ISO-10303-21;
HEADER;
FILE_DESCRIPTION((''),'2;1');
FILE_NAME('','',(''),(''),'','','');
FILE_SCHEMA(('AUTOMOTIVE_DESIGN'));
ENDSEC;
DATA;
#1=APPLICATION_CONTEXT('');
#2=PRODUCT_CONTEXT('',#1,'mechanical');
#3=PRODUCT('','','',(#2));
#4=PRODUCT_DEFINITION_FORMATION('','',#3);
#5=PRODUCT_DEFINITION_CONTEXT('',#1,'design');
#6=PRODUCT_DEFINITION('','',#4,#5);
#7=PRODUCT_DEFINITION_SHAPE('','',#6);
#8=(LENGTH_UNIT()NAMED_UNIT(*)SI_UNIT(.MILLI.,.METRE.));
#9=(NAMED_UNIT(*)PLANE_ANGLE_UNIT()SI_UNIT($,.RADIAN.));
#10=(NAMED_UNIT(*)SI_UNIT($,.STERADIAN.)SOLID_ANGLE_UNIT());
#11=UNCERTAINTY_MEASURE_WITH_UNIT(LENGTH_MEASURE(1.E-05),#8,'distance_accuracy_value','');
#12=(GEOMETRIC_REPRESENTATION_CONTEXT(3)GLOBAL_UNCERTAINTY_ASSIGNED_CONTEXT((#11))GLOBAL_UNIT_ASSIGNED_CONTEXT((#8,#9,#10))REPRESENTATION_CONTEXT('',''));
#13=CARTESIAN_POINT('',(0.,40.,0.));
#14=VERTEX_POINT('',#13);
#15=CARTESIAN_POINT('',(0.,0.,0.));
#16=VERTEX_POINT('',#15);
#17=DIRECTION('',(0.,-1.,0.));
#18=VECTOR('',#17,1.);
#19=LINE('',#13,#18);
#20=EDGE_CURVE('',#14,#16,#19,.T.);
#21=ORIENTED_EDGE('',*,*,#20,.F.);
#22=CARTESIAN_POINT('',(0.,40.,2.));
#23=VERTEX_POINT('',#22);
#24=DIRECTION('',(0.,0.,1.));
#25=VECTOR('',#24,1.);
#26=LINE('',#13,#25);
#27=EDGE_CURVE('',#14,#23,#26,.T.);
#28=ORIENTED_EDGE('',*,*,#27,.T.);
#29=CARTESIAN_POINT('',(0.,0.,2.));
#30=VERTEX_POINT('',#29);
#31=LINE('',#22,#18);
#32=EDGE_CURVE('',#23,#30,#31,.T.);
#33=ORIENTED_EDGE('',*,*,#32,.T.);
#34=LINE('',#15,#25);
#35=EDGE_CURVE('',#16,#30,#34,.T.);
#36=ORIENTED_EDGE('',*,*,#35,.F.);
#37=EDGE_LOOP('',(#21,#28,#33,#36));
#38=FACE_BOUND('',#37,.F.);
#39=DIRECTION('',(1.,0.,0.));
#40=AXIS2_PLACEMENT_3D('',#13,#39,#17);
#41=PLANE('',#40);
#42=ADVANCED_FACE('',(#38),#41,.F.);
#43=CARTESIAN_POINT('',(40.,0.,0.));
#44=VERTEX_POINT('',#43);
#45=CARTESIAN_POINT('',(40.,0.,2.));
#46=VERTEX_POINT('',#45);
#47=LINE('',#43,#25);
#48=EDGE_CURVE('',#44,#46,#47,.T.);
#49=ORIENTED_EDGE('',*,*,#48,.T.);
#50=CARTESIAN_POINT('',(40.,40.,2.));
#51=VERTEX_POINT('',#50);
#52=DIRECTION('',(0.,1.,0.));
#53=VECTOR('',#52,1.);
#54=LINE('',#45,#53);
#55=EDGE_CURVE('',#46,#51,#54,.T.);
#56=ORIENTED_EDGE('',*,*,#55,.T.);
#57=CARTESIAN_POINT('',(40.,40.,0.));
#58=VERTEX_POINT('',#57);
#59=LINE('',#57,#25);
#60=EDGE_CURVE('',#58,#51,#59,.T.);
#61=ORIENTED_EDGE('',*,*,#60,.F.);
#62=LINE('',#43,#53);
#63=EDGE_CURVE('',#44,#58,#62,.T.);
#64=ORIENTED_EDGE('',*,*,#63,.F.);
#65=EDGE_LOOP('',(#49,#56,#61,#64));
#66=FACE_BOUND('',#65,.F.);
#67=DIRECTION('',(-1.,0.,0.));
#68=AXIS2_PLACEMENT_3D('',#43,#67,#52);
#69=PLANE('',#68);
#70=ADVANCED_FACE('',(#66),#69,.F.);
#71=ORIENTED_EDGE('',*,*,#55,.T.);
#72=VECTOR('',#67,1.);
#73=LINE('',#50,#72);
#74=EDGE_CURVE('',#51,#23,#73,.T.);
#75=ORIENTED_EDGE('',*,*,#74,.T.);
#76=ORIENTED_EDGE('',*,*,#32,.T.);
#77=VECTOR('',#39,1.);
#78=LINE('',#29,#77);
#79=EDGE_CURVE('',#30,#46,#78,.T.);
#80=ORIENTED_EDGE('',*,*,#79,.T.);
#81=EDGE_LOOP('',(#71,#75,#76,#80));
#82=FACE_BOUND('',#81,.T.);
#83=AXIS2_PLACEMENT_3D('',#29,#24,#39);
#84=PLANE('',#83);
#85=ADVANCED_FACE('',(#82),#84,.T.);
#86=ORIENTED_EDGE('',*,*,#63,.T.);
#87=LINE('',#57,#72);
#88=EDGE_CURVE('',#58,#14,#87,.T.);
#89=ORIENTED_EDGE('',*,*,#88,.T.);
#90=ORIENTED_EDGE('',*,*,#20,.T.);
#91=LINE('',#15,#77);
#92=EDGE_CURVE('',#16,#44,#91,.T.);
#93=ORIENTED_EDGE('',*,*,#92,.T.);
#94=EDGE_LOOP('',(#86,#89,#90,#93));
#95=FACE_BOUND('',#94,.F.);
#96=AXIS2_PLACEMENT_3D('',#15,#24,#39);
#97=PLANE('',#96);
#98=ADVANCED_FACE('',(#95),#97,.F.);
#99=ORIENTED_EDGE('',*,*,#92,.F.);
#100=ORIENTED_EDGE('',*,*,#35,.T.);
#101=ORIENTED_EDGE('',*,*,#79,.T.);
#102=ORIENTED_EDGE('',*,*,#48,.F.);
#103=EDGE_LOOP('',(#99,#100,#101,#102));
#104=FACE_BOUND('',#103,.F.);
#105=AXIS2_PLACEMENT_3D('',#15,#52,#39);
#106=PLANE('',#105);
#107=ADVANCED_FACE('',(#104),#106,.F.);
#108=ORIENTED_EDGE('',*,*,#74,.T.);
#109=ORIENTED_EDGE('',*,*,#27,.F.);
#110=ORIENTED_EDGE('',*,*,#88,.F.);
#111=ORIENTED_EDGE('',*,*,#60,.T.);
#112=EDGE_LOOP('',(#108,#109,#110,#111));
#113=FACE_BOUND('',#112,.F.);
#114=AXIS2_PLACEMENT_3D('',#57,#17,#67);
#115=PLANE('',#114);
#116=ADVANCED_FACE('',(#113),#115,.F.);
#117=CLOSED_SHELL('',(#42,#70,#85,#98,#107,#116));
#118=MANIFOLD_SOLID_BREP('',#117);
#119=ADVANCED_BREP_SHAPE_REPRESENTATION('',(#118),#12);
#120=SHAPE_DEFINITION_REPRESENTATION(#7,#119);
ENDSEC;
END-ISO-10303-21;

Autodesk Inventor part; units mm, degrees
ref_plane "YZ Plane" through (0, 0, 0) normal (1, 0, 0) x (0, 1, 0)
ref_plane "XZ Plane" through (0, 0, 0) normal (0, 1, 0) x (-1, 0, 0)
ref_plane "XY Plane" through (0, 0, 0) normal (0, 0, 1) x (1, 0, 0)
sketch "Sketch1" plane through (0, 0, 0) normal (0, 0, 1) x (1, 0, 0)
  line L0 (0, 0) -> (40, 0)
  line L1 (40, 0) -> (40, 40)
  line L2 (40, 40) -> (0, 40)
  line L3 (0, 40) -> (0, 0)
  dimension "d0" = 40
  dimension "d1" = 40
extrude "Extrusion1" add sketch "Sketch1" along normal blind 2
properties part number "Grondplaat"
